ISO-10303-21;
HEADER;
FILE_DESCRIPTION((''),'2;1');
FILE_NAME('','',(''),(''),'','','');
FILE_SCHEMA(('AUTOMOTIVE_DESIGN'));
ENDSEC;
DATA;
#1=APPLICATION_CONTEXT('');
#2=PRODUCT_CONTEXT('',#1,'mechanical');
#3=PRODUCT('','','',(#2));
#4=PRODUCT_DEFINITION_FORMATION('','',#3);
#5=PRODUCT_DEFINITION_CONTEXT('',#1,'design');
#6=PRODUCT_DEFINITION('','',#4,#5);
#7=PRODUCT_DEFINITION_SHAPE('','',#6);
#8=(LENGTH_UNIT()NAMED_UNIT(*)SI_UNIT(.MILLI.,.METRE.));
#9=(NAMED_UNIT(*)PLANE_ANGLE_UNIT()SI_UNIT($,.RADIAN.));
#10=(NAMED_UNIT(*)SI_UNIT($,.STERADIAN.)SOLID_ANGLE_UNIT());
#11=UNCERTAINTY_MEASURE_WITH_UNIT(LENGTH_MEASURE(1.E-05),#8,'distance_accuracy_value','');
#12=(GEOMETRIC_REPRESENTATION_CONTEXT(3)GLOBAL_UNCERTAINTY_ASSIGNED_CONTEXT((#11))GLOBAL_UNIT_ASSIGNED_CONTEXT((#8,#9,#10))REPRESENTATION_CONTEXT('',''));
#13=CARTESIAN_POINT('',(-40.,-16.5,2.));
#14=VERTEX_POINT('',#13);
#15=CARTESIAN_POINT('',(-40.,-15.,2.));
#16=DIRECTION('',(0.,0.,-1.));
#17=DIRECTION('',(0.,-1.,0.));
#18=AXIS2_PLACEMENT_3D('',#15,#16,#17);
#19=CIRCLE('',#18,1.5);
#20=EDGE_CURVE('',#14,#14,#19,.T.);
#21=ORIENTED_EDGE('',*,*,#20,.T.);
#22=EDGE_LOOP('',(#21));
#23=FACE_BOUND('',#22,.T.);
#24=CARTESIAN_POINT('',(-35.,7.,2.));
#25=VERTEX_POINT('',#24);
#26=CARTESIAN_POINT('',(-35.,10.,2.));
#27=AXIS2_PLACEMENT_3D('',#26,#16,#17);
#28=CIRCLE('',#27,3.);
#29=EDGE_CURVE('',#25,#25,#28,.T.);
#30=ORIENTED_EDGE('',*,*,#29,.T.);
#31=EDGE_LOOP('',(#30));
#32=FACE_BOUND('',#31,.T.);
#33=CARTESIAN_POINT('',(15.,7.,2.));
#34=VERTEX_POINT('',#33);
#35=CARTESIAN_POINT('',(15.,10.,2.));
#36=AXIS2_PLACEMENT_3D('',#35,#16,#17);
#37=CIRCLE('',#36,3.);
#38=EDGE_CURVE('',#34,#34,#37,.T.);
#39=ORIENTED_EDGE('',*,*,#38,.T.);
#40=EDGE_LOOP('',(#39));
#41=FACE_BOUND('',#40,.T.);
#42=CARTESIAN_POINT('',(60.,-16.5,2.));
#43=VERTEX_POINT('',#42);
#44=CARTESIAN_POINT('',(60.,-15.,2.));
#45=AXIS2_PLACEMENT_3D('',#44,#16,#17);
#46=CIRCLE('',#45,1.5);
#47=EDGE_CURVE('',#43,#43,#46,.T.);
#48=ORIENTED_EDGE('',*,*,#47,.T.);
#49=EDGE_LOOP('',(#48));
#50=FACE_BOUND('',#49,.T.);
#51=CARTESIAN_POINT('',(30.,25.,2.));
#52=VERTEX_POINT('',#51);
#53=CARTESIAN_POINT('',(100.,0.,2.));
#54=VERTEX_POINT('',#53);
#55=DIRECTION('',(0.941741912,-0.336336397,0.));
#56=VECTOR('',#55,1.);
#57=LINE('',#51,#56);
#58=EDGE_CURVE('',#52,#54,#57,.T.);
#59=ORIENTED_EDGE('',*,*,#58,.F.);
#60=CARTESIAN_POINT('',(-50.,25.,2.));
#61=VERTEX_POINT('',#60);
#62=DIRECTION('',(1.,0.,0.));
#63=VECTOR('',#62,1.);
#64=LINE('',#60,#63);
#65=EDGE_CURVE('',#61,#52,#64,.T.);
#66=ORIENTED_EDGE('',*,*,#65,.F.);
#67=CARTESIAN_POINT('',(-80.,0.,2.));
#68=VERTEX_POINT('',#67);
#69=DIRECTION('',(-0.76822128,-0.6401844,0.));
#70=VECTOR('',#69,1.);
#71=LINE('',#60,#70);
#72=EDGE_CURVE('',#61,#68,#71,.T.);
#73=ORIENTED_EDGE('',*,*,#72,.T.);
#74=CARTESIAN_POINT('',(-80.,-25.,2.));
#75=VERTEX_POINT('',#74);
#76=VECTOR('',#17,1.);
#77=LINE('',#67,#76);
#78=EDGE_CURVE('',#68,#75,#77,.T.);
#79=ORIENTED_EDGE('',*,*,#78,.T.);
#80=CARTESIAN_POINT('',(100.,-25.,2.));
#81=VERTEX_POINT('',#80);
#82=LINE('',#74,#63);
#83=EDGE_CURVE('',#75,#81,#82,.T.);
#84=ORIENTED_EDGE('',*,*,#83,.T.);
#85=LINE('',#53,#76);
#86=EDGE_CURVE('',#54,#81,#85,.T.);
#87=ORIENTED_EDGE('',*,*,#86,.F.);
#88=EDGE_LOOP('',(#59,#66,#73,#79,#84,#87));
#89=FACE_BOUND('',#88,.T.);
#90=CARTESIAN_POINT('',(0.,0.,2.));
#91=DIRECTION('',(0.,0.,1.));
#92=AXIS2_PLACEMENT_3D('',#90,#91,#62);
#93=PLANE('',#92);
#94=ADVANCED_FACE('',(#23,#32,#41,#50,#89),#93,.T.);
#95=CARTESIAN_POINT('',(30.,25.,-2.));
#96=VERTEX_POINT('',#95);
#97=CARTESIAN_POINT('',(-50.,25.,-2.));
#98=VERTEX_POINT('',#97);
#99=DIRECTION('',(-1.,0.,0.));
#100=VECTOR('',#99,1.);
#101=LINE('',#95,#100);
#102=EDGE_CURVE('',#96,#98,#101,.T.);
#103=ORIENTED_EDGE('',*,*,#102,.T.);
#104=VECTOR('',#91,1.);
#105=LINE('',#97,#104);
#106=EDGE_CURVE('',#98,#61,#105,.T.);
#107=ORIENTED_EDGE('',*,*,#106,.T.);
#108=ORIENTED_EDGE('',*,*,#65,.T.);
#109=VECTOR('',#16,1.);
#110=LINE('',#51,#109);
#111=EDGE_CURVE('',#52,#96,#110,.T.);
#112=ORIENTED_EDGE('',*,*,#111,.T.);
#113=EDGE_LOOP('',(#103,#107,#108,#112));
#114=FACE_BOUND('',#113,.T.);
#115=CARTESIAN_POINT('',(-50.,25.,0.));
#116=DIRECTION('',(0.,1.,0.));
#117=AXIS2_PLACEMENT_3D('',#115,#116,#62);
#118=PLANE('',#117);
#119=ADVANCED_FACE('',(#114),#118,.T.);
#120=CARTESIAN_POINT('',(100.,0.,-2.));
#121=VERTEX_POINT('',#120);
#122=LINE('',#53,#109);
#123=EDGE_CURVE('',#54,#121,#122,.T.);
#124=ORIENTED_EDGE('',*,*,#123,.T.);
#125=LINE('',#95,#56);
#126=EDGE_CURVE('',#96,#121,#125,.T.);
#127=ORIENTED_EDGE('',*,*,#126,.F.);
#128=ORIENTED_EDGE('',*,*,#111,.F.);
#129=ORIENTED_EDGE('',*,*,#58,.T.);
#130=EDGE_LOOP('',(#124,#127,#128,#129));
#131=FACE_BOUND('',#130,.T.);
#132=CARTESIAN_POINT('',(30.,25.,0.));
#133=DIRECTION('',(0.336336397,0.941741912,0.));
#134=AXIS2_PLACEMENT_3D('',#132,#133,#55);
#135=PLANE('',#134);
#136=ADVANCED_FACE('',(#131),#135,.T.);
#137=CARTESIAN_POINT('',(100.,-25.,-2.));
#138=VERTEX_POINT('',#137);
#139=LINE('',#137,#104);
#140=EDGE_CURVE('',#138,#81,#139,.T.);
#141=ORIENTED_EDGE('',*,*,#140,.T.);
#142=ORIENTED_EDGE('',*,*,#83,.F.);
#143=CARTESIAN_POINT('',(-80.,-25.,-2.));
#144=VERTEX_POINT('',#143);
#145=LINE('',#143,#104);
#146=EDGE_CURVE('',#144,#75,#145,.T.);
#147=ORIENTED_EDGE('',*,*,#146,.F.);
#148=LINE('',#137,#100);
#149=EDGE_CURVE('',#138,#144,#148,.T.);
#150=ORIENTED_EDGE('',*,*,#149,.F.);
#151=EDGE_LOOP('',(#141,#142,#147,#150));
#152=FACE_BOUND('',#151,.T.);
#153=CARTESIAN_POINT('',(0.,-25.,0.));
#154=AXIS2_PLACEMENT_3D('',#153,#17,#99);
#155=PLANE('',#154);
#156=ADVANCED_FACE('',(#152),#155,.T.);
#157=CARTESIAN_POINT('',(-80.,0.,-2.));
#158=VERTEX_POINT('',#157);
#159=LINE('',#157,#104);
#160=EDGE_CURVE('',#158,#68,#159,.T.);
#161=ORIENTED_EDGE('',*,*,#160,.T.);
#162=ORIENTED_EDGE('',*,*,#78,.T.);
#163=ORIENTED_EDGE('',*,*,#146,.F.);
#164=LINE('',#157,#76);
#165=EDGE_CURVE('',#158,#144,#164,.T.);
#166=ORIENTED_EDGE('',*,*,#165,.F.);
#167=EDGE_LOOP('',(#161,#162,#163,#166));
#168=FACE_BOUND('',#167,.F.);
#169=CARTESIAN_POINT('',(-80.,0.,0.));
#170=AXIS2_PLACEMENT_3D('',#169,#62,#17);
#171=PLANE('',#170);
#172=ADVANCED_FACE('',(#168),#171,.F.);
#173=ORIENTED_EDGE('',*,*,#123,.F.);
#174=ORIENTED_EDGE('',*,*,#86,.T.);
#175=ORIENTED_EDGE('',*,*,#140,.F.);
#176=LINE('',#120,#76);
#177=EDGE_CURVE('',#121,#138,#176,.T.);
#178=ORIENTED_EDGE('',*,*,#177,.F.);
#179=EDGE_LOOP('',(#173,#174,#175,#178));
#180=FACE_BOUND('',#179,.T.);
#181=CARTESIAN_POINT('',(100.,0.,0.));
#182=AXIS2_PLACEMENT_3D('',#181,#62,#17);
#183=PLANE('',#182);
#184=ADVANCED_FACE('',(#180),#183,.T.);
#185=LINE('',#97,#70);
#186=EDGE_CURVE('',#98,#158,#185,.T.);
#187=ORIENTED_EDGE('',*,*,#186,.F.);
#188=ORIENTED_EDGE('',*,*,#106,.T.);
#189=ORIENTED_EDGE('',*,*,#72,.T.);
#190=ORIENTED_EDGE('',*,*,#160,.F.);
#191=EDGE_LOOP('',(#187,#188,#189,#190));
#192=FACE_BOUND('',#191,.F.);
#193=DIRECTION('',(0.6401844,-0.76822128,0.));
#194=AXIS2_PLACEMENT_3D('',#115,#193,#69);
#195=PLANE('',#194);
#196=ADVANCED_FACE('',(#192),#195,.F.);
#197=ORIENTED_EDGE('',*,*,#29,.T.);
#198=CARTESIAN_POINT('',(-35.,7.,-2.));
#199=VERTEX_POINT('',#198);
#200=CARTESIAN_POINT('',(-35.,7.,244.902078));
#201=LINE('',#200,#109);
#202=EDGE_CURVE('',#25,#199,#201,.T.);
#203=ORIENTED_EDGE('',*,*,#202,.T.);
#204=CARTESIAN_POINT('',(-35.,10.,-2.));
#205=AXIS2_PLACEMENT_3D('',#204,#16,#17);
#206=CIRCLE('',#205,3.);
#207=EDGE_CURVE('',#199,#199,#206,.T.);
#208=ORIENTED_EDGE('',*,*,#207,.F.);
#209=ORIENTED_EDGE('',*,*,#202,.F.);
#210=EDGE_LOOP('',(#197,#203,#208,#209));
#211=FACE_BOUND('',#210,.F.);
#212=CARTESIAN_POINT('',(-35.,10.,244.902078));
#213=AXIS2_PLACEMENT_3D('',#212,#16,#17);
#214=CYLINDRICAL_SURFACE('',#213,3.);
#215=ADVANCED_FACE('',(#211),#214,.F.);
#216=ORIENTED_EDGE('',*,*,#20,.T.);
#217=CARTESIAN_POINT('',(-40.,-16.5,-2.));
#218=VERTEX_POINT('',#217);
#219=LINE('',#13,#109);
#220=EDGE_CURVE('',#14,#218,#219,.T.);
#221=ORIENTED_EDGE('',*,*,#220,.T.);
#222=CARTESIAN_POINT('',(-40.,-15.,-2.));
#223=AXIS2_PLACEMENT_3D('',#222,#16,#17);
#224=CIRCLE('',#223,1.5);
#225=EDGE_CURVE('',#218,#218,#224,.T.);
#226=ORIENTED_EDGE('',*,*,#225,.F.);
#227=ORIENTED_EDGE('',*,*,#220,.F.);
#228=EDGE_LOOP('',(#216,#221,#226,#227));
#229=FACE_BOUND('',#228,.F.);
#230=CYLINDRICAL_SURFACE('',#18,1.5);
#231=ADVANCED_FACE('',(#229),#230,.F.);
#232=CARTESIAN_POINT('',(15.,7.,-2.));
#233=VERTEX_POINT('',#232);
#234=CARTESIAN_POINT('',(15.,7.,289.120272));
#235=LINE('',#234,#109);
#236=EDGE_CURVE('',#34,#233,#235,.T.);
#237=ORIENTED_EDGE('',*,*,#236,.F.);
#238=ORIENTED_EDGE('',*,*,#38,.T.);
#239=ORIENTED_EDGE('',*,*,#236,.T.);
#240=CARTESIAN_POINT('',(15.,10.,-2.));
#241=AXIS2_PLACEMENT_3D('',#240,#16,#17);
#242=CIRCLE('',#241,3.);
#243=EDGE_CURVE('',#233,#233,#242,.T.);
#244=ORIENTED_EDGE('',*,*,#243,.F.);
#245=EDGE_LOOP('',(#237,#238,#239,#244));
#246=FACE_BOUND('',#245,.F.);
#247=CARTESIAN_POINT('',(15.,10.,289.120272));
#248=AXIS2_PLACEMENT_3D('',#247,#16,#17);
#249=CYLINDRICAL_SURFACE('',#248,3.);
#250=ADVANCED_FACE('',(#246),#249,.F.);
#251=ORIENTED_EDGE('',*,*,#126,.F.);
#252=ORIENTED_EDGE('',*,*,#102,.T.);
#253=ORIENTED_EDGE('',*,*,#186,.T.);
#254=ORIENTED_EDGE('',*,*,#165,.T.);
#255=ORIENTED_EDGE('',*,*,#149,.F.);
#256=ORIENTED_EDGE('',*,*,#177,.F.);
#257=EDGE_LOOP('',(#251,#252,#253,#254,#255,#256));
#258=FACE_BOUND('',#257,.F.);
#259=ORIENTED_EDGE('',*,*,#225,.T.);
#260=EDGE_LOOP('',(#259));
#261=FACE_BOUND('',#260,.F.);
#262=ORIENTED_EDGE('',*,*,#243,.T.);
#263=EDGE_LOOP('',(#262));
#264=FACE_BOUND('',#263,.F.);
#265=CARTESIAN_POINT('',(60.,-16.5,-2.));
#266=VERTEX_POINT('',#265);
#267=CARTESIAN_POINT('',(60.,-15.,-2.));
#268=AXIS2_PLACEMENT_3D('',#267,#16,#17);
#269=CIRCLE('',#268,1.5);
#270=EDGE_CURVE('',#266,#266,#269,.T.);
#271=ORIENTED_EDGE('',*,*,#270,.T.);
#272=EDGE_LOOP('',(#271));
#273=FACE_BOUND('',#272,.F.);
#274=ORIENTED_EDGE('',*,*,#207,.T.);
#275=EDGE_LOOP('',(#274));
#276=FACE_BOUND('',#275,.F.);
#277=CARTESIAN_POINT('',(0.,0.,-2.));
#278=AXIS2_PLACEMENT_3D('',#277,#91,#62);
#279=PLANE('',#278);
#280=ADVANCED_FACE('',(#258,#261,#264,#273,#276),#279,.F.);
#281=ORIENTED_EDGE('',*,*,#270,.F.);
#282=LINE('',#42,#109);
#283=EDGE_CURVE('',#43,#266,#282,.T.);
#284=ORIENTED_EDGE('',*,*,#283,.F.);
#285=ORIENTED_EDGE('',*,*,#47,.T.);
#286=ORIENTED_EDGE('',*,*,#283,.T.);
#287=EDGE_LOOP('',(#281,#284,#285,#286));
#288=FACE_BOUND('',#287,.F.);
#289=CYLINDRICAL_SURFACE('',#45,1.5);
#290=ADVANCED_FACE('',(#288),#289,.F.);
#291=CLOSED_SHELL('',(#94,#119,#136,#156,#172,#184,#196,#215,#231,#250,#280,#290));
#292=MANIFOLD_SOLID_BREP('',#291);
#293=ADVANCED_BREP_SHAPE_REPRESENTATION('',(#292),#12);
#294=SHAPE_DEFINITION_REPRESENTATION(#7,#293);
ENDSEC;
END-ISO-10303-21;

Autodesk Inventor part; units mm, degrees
ref_plane "YZ Plane" through (0, 0, 0) normal (1, 0, 0) x (0, 1, 0)
ref_plane "XZ Plane" through (0, 0, 0) normal (0, 1, 0) x (-1, 0, 0)
ref_plane "XY Plane" through (0, 0, 0) normal (0, 0, 1) x (1, 0, 0)
sketch "Náčrt1" plane through (0, 0, 0) normal (0, 0, 1) x (1, 0, 0)
  line L0 (-50, 25) -> (30, 25)
  line L1 (36.6643, -25) -> (-87.5, -25)
  line L2 (30, 25) -> (100, 0)
  line L3 (100, 0) -> (100, -25)
  line L4 (100, -25) -> (36.6643, -25)
  line L5 (-125, 0) -> (137.5, 0) projected
  line L6 (0, 35) -> (0, -35) projected
  line L7 (-50, 25) -> (-80, 0)
  line L8 (-80, 0) -> (-80, -25)
  line L9 (-80, -25) -> (-87.5, -25)
  point P0 (0, 0)
  point P1 (-35, 10)
  point P2 (15, 10)
  dimension "d0" = 50
  dimension "d2" = 80
  dimension "d3" = 25
  dimension "d4" = 50
  dimension "d6" = 15
  dimension "d16" = 70
  dimension "d17" = 30
  dimension "d18" = 25
  dimension "d19" = 50
  dimension "d20" = 35
  dimension "d21" = 25
  dimension "d22" = 25
extrude "Vysunutí1" add sketch "Náčrt1" along normal mid plane 4
hole "Díra1" at (-35, 10, 0) at (15, 10, 0) direction (0, 0, -1) diameter 6 end through all both
sketch "Náčrt2" plane through (0, 0, 2) normal (0, 0, 1) x (1, 0, 0)
  line L0 (-80, 0) -> (-80, -25) projected
  line L1 (-80, -25) -> (100, -25) projected
  line L2 (100, -25) -> (100, 0) projected
  point P0 (0, 0)
  point P1 (-40, -15)
  point P2 (60, -15)
  dimension "d23" = 40
  dimension "d24" = 10
  dimension "d25" = 40
  dimension "d26" = 10
hole "Díra2" at (-40, -15, 2) at (60, -15, 2) direction (0, 0, -1) diameter 3 depth 8
properties part number "Trup" material "Dřevo (Bříza)"
